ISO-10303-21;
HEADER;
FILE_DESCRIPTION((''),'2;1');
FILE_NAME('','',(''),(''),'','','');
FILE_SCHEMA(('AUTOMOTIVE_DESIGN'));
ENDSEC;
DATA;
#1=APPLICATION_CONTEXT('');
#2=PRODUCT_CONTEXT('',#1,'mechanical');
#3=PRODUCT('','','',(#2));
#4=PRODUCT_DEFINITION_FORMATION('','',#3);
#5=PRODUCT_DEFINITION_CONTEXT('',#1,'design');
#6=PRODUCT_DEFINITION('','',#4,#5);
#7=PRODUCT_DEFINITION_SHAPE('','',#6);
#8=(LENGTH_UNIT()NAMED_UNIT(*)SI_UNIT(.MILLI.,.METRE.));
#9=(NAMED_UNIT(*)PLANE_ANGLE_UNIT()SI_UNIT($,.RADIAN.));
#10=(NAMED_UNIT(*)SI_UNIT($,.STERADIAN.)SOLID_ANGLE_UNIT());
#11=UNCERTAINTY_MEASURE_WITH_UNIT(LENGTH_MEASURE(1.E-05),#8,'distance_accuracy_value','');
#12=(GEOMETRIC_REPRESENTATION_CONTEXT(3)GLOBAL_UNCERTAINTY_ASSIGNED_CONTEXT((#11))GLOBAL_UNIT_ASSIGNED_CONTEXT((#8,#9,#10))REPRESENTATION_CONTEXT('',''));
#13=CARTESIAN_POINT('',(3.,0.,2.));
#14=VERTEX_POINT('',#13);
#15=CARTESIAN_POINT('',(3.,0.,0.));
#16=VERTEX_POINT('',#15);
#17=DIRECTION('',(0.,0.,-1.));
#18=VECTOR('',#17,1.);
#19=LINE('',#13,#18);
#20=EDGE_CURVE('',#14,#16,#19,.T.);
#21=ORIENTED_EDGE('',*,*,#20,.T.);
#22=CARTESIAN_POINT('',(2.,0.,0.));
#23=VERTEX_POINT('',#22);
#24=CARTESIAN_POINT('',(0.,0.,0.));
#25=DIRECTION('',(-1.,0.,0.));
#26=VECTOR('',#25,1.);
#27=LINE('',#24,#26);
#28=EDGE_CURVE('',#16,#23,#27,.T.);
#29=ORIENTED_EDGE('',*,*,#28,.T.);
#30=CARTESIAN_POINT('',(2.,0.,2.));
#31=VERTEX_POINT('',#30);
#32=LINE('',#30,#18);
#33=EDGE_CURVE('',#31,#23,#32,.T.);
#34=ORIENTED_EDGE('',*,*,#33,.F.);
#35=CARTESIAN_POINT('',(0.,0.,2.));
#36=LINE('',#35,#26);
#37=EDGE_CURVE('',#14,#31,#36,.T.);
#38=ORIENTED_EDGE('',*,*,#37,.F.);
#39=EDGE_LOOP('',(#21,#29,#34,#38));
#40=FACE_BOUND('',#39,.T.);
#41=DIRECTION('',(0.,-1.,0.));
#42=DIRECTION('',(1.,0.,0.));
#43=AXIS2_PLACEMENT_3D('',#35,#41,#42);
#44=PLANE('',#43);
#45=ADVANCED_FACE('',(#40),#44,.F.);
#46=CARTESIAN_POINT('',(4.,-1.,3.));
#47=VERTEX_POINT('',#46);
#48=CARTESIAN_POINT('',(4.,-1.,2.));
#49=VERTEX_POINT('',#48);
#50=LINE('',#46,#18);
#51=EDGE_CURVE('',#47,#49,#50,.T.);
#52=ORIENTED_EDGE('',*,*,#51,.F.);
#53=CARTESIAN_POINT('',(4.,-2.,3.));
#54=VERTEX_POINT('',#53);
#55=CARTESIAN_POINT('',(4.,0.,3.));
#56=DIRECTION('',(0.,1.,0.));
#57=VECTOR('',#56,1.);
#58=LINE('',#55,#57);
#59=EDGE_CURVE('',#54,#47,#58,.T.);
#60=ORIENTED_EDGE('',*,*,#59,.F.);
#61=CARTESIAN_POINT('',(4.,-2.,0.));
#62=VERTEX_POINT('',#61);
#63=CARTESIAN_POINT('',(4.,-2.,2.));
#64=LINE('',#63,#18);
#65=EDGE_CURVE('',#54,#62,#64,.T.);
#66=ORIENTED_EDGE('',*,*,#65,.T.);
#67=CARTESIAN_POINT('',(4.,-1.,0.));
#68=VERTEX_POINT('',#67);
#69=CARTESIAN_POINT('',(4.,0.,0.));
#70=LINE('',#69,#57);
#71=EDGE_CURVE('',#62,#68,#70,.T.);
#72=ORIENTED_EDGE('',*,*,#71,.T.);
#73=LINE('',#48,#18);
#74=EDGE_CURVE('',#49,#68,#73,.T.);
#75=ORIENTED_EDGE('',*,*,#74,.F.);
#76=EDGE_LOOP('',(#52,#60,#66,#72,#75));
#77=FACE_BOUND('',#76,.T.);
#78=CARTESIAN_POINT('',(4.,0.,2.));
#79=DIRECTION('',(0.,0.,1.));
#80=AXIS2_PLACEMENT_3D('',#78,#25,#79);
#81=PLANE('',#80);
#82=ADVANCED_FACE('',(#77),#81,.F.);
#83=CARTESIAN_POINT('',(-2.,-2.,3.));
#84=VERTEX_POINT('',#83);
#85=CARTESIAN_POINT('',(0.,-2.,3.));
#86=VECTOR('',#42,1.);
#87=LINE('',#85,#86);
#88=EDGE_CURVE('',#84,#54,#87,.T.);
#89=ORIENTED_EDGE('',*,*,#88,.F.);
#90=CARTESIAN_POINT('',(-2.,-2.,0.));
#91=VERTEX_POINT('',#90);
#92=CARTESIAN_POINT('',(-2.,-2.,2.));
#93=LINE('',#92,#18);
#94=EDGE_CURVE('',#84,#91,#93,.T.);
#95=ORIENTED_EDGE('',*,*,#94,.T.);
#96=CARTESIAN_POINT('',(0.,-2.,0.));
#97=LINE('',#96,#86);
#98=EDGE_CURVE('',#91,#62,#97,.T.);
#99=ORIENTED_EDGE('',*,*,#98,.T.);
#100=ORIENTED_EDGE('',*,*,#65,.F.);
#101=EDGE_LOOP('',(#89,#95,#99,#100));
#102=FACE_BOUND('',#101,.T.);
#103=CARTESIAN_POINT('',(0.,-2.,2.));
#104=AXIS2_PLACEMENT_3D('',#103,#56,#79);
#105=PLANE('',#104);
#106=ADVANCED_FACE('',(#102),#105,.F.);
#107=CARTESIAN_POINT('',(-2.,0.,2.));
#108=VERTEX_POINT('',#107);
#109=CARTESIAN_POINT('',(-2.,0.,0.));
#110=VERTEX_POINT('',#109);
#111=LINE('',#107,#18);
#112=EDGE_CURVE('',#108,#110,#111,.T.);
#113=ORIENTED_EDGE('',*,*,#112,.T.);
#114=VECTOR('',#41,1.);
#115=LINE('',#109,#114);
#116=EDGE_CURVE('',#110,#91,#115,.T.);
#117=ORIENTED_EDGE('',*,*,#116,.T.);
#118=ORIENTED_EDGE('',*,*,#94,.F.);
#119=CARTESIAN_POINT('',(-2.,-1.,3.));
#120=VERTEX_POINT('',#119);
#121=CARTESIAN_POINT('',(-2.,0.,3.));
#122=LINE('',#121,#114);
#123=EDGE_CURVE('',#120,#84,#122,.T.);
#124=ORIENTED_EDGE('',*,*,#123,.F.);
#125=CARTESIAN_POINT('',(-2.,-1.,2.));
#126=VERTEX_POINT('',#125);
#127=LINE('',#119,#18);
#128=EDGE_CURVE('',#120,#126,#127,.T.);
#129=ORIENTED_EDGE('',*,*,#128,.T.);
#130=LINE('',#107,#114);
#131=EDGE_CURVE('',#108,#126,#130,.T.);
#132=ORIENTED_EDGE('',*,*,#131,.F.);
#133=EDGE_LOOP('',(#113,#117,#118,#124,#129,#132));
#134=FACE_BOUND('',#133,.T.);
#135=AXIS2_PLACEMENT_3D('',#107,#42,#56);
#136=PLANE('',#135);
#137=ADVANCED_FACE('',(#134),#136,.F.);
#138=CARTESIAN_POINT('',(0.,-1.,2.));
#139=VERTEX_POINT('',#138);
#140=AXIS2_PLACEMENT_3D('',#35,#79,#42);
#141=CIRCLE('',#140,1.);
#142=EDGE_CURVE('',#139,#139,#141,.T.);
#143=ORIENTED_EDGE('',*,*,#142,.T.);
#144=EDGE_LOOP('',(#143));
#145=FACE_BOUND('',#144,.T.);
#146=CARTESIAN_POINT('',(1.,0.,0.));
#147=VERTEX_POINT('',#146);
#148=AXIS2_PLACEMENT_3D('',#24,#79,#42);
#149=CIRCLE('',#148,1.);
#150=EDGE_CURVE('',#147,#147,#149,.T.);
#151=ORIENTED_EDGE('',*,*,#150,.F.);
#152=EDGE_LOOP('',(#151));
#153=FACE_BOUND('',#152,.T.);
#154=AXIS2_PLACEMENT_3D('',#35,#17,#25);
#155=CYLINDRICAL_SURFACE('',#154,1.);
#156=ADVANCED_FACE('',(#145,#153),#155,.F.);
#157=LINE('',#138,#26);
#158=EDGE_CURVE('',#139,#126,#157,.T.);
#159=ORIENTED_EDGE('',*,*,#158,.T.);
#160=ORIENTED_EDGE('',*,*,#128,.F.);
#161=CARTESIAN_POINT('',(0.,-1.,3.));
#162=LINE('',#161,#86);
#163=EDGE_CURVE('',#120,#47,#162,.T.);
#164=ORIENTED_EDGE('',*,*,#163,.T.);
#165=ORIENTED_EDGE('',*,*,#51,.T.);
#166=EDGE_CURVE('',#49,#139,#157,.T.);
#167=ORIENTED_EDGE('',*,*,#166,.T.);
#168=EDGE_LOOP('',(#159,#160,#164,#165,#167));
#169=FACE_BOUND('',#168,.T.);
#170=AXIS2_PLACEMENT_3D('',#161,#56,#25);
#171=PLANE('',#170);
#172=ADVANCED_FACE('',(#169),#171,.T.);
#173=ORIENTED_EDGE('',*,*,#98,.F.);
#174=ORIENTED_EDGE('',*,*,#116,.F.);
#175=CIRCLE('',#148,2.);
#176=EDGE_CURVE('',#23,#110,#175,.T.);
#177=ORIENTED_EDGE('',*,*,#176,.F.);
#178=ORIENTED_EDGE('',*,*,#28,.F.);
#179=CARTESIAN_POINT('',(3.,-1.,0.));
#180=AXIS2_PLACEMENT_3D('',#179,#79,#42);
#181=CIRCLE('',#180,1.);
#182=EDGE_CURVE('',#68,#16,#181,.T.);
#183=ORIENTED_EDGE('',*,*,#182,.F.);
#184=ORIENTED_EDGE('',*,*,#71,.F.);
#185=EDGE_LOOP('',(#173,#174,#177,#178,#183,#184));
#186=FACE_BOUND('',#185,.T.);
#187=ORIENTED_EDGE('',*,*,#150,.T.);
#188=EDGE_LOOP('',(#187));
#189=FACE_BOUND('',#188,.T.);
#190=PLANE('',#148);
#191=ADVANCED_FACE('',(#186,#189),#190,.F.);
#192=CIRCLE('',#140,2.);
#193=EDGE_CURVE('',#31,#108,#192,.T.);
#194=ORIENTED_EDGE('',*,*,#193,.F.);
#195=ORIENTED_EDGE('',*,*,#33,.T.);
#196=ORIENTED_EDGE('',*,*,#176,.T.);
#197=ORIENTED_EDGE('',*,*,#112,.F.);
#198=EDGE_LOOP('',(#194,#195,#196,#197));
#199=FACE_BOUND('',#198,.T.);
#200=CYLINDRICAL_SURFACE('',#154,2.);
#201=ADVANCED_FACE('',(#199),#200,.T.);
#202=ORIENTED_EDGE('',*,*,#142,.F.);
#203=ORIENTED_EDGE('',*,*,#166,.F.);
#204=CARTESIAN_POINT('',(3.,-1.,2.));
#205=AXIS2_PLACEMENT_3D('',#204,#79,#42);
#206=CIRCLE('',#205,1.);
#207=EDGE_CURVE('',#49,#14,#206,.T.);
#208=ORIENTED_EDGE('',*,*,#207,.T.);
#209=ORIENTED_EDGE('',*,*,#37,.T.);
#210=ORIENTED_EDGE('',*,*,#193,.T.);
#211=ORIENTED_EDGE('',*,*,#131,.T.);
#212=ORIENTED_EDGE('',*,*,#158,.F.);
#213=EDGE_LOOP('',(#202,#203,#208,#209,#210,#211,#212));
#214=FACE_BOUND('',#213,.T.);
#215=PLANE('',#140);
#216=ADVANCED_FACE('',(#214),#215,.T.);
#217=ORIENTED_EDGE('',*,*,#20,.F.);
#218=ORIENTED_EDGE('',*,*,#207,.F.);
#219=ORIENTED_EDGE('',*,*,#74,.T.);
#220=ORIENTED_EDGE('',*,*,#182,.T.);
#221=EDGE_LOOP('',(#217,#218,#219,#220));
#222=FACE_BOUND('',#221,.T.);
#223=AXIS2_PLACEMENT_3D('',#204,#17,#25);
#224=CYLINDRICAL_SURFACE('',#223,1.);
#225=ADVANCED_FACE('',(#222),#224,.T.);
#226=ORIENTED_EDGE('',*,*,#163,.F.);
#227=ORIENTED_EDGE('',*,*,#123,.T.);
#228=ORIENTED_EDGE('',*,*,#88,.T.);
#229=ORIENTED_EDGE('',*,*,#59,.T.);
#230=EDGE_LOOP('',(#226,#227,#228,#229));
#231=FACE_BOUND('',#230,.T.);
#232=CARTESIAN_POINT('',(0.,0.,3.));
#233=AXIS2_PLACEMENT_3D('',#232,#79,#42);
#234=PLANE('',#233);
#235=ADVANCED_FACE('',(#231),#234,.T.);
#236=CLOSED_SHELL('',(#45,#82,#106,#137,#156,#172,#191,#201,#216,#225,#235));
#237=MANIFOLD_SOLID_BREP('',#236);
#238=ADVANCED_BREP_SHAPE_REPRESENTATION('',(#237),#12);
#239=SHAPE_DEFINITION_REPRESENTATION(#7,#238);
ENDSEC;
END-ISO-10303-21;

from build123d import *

# Parameters (mm, degrees)
SKETCH_1_R      = 1
EXTRUDE_1_DEPTH = 2
EXTRUDE_2_DEPTH = 3


with BuildPart() as part:
    # 草圖1 → 填料-伸長1 (new body)
    with BuildSketch(Plane.XY):
        with BuildLine():
            Line((-2, 0), (-2, -2))
            Line((-2, -2), (4, -2))
            Line((4, -2), (4, -1))
            ThreePointArc((4, -1), (3.707106781, -0.292893219), (3, 0))
            Line((3, 0), (2, 0))
            ThreePointArc((2, 0), (0, 2), (-2, 0))
        make_face()
        Circle(SKETCH_1_R, mode=Mode.SUBTRACT)
    extrude(amount=EXTRUDE_1_DEPTH)

    # 草圖1<3> → 填料-伸長2 (add)
    with BuildSketch(Plane.XY):
        Polygon((0, -1), (-2, -1), (-2, -2), (4, -2), (4, -1), align=None)
    extrude(amount=EXTRUDE_2_DEPTH)


solid = part.part
